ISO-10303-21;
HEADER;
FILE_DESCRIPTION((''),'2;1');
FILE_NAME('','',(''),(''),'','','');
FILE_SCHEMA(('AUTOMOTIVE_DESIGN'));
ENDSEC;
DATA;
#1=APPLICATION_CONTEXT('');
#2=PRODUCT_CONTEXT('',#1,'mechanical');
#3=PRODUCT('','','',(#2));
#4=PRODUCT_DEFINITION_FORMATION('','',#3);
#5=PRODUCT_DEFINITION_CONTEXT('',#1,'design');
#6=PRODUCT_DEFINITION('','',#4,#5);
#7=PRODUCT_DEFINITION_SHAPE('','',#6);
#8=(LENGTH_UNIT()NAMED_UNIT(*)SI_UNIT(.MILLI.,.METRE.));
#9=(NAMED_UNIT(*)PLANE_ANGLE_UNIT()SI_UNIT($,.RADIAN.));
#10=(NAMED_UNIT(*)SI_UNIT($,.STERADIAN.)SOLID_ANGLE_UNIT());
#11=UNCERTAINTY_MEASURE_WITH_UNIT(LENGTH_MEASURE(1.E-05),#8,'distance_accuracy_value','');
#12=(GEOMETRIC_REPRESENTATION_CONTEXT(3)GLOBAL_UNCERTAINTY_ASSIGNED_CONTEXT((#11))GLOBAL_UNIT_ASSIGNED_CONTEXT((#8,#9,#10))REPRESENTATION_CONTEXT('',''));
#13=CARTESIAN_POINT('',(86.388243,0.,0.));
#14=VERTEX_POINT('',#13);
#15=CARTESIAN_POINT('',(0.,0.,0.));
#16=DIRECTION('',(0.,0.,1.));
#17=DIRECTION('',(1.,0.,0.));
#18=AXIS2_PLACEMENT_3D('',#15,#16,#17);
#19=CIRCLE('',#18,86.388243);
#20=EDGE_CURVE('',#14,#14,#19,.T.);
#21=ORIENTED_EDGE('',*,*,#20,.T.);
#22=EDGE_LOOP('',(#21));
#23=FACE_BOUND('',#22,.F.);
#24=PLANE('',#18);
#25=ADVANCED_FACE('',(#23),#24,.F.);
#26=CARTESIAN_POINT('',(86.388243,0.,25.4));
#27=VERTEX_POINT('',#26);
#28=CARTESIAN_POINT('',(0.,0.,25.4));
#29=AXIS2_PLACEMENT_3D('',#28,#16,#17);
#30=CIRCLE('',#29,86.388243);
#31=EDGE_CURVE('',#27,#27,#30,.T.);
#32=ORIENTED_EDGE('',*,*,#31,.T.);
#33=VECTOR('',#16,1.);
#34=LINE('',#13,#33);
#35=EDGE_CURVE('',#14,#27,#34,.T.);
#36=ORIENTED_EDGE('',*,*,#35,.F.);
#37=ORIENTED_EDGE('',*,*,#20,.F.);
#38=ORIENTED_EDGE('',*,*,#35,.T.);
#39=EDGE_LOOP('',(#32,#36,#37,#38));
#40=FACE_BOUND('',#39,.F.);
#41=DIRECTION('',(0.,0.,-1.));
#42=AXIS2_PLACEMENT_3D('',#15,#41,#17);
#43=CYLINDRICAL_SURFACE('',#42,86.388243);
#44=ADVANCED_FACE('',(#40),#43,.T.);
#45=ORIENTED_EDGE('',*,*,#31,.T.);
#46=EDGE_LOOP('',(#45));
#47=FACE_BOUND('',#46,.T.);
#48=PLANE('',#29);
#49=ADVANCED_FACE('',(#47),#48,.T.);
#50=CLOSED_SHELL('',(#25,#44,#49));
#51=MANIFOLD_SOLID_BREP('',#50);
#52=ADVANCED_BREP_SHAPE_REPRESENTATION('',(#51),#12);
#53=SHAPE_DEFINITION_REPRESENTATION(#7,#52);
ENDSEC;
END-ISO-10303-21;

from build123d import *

# Parameters (mm, degrees)
F1_R     = 86.3882434207
F1_R_2   = 61.7649603847
F2_DEPTH = 25.4


with BuildPart() as f2:
    # F1 (on face) → F2 (new body)
    with BuildSketch(Plane.XY):
        Circle(F1_R)
        Circle(F1_R_2, mode=Mode.SUBTRACT)
        Circle(F1_R_2)
    extrude(amount=F2_DEPTH)


solid = f2.part
